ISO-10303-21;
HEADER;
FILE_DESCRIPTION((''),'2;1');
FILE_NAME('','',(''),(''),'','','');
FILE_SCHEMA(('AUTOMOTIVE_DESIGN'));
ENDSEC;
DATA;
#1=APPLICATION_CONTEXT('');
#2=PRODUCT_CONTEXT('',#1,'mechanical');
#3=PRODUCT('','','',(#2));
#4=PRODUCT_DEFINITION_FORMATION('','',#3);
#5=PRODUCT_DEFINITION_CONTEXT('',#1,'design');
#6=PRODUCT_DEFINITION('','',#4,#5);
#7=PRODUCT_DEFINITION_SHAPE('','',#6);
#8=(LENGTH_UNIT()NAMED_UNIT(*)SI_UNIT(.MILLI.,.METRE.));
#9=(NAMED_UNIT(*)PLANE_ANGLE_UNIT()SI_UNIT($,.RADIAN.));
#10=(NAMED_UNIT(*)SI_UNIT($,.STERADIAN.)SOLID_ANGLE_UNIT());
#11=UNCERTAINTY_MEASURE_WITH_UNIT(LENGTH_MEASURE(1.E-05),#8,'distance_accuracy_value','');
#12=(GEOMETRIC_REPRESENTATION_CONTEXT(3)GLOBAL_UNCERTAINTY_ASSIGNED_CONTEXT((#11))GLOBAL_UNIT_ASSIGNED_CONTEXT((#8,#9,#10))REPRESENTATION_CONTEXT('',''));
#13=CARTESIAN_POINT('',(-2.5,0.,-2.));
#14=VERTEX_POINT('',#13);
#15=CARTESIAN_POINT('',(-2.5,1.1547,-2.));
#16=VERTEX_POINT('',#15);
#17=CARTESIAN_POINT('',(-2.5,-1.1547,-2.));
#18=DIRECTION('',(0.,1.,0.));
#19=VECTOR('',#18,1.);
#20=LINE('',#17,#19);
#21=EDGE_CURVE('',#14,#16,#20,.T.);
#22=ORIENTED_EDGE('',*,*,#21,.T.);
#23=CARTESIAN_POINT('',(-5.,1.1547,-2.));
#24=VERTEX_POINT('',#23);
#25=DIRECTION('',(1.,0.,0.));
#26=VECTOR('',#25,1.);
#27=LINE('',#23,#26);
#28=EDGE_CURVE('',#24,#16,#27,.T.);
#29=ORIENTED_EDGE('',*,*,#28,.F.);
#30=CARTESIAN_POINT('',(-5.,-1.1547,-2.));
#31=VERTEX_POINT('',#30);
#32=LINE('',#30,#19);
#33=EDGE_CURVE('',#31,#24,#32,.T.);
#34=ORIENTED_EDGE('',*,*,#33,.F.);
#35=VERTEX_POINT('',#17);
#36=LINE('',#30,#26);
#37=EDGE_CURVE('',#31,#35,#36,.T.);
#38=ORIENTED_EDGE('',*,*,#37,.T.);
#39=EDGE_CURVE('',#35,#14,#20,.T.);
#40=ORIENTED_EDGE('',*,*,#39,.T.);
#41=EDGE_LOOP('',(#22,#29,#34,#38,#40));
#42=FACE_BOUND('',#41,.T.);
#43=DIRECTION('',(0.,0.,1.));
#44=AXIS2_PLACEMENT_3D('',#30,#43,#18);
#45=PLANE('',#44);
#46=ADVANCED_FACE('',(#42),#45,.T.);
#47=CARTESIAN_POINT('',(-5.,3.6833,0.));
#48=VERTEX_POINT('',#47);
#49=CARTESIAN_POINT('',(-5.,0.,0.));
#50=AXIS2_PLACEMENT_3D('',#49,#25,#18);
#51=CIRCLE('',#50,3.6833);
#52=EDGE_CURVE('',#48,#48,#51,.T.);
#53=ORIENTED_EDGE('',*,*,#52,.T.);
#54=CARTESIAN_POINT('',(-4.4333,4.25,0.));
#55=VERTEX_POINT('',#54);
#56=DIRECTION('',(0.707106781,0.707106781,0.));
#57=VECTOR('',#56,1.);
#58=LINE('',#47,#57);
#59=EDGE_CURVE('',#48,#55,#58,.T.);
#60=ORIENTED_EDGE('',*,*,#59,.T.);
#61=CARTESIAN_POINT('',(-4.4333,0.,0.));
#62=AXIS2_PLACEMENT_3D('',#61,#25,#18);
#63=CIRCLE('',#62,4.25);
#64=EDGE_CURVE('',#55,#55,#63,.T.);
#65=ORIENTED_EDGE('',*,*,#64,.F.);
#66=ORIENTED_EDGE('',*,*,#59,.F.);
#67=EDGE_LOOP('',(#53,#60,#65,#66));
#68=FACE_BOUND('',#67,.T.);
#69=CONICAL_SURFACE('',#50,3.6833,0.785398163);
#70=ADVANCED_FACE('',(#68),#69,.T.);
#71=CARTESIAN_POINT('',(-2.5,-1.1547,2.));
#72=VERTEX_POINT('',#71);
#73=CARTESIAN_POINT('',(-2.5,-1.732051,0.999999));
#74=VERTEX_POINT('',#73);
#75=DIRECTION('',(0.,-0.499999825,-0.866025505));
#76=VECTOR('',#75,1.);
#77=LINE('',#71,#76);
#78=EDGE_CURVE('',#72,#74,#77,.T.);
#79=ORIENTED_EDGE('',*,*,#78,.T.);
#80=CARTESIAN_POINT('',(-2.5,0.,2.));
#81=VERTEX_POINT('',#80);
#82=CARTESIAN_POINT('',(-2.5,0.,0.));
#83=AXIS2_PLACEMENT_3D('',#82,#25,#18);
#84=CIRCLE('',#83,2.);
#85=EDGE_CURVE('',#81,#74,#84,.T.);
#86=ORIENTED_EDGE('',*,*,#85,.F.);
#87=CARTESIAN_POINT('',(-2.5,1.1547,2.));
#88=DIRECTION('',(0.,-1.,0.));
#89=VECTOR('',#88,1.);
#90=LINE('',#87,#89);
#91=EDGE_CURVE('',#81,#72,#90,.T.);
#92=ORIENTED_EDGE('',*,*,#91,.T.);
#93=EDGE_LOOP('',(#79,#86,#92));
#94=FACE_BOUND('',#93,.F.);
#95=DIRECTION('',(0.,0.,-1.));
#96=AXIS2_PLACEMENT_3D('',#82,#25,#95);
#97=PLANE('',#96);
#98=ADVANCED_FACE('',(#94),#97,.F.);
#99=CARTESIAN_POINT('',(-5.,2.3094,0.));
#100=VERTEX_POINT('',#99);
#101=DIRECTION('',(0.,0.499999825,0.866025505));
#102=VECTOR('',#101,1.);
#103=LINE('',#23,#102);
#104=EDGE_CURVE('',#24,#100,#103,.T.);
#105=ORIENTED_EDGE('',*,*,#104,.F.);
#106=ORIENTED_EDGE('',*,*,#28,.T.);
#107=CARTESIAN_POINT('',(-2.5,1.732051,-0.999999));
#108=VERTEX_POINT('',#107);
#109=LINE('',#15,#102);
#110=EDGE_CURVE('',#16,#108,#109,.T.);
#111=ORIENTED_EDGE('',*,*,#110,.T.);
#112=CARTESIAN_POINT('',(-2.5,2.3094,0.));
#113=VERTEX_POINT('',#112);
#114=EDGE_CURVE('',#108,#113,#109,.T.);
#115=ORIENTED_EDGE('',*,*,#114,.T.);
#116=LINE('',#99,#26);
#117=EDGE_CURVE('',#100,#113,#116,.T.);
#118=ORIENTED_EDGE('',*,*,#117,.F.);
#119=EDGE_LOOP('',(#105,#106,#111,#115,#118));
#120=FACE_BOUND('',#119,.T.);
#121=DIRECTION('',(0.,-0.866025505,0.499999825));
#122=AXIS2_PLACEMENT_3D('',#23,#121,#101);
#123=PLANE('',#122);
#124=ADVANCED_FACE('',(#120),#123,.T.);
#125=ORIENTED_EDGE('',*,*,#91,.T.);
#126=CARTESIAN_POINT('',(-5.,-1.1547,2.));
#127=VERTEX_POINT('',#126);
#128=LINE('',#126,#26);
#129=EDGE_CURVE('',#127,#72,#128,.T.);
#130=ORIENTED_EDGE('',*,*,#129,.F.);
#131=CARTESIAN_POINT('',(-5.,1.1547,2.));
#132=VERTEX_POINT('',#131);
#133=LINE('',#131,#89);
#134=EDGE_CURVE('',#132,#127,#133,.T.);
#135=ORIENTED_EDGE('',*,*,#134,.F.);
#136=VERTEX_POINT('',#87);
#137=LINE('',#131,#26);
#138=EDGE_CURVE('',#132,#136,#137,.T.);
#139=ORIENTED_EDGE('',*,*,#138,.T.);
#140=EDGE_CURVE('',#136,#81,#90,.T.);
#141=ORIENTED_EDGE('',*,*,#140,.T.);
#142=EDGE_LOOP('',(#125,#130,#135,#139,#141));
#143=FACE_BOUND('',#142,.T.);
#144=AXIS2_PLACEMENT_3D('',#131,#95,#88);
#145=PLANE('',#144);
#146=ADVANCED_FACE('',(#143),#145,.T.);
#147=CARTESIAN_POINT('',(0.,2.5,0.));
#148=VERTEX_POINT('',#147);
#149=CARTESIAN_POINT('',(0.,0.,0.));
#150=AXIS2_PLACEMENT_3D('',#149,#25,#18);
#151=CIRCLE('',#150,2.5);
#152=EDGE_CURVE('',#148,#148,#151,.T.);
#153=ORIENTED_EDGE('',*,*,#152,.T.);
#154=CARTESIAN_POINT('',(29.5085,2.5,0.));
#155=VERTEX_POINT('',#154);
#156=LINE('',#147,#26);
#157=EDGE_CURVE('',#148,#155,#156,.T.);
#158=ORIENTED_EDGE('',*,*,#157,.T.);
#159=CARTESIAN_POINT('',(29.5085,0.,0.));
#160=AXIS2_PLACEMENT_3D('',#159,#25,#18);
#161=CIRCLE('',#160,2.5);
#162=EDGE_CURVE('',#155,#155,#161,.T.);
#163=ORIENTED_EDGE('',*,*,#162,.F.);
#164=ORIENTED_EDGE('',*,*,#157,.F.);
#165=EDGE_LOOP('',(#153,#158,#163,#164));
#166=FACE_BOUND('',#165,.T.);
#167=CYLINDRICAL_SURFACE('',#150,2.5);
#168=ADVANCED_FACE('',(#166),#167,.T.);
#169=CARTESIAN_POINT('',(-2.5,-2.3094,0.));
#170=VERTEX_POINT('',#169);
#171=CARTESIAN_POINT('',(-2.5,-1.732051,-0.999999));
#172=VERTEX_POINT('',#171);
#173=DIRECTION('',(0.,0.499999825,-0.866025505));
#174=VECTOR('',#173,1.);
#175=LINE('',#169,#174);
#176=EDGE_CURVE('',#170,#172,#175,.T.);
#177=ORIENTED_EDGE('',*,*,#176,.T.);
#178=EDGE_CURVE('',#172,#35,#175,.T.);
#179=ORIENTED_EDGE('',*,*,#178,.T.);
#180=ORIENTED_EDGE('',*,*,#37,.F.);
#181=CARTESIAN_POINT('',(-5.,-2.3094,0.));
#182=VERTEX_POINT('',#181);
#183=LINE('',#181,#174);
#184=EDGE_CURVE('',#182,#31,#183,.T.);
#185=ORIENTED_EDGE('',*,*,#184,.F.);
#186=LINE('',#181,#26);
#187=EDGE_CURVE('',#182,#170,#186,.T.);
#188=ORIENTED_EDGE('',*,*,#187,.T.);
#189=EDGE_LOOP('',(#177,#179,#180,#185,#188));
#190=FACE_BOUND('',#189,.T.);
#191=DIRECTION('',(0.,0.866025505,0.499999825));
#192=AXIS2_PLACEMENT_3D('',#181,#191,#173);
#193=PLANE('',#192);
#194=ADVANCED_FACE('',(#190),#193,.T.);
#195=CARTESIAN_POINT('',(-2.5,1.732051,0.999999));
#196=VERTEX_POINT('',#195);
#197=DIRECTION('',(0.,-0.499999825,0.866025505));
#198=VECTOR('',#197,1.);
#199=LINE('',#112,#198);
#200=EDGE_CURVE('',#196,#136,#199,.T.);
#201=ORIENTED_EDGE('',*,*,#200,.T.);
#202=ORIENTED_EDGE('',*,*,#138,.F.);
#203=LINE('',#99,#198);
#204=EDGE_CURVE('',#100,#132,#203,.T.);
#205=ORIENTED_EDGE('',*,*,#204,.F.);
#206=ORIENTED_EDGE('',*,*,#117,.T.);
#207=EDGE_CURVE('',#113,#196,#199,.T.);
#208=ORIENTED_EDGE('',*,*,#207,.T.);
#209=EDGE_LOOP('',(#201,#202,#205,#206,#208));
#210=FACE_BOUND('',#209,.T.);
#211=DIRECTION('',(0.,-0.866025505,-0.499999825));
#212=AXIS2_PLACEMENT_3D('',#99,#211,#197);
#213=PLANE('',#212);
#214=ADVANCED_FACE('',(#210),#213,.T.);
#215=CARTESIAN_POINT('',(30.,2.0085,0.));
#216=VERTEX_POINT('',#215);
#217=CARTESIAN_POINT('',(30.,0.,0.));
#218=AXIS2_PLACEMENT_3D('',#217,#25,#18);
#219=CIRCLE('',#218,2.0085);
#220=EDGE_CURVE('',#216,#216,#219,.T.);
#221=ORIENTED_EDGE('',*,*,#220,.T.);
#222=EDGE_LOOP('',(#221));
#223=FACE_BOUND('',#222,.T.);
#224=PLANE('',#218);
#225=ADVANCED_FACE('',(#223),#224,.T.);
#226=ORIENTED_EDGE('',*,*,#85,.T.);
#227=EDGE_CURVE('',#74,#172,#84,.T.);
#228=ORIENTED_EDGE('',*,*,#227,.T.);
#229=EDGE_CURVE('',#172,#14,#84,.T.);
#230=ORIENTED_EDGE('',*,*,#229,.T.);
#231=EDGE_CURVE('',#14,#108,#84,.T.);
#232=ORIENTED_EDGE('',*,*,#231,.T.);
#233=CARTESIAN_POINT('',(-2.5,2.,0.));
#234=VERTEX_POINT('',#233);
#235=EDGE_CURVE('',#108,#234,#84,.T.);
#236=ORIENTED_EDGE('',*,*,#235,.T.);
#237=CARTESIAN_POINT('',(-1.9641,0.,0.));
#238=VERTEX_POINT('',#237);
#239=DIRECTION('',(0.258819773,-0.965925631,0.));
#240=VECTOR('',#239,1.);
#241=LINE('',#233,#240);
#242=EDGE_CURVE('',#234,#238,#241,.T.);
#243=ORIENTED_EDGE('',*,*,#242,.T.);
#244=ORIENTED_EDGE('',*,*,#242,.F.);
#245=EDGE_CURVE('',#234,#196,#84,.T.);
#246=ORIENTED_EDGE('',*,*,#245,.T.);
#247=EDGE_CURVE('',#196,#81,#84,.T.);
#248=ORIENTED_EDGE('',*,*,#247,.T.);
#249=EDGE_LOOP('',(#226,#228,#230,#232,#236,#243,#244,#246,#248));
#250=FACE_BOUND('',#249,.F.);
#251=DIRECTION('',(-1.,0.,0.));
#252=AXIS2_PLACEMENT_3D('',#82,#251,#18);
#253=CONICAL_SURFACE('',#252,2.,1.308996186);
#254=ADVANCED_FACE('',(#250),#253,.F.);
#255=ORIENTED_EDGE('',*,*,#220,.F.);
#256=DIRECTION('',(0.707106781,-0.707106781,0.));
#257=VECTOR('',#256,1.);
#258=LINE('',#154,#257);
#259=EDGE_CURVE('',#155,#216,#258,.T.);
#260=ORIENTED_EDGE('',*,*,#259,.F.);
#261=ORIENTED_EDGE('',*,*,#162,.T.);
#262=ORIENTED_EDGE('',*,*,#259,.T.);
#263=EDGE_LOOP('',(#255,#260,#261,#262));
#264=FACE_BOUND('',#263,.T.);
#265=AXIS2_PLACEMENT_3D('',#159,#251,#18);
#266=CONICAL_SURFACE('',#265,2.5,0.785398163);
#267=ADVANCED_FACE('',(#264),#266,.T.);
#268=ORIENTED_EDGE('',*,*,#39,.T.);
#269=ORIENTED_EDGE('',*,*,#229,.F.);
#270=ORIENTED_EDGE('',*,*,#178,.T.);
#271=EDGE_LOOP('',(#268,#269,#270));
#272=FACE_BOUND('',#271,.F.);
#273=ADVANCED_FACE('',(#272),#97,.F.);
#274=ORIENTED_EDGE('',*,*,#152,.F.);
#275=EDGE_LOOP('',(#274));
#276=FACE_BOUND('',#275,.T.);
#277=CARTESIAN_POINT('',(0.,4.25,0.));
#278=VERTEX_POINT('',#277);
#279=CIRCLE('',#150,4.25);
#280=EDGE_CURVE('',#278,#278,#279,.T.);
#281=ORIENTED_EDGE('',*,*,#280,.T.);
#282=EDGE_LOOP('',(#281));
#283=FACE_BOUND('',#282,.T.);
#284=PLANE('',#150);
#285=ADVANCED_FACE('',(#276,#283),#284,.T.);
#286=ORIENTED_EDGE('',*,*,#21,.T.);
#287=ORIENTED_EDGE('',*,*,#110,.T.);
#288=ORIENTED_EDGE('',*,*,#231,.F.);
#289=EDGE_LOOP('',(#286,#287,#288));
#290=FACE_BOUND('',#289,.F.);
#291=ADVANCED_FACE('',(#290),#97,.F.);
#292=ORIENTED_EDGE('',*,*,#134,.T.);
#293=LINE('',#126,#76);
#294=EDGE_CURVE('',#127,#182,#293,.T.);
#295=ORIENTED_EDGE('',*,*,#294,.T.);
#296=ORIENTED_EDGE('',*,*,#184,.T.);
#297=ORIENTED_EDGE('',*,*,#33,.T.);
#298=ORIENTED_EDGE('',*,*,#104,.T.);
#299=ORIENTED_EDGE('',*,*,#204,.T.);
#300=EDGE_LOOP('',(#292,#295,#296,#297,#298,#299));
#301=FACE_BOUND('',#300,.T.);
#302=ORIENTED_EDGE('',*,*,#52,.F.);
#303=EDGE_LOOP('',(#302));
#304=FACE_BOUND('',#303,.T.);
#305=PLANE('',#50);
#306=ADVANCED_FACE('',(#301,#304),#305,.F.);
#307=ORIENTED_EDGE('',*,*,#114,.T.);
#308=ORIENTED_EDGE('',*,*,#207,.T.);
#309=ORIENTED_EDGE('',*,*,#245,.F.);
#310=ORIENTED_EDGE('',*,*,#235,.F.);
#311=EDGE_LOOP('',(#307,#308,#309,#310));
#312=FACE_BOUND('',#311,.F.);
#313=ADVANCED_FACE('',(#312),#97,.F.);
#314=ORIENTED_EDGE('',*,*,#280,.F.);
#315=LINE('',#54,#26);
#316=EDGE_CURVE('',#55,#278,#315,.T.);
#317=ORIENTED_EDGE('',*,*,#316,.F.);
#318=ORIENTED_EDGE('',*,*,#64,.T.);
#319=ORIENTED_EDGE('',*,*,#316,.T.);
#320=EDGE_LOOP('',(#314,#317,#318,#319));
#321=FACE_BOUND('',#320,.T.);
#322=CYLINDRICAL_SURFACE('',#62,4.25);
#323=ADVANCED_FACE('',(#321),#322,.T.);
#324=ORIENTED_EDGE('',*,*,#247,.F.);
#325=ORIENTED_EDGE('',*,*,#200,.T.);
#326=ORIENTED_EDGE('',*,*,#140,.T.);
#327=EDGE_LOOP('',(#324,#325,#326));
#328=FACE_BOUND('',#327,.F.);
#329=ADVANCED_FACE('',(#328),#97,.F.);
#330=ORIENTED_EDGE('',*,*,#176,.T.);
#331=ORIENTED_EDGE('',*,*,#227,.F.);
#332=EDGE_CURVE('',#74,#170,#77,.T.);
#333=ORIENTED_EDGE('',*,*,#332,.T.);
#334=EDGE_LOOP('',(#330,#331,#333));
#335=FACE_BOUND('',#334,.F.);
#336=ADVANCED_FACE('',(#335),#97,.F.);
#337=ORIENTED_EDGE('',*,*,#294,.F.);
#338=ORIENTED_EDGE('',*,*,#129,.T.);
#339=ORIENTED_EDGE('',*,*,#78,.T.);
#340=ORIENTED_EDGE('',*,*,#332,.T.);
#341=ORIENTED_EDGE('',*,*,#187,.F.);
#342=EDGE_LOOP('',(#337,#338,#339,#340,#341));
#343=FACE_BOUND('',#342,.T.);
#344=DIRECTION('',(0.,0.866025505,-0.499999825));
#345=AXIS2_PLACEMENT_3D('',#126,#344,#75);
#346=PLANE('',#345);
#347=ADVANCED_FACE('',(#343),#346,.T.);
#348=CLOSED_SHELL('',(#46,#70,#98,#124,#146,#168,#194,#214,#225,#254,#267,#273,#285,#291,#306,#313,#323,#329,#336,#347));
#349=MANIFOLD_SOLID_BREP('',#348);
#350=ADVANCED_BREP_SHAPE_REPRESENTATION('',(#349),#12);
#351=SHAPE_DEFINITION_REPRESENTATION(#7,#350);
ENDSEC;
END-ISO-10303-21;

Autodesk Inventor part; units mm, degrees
sketch "Sketch_2" plane through (0, 0, 0) normal (0, 0, 1) x (1, 0, 0)
  line L0 (30, 0) -> (-5, 0)
  line L1 (-5, 0) -> (-5, 3.6833)
  line L2 (-5, 3.6833) -> (-4.4333, 4.25)
  line L3 (-4.4333, 4.25) -> (0, 4.25)
  line L4 (0, 4.25) -> (0, 2.5)
  line L5 (0, 2.5) -> (29.5085, 2.5)
  line L6 (29.5085, 2.5) -> (30, 2.0085)
  line L7 (30, 2.0085) -> (30, 0)
  line L8 (30, 0) -> (-5, 0)
revolve "Revolution1" add sketch "Sketch_2" angle 360 about axis through (30, 0, 0) along (1, 0, 0)
thread "Thread1" size "M5x0.8" class "6g" standard "ISO Metric profile" length 22 offset 8
sketch "Sketch_4" plane through (0, 0, 0) normal (0, 0, 1) x (1, 0, 0)
  line L0 (-1.9641, 0) -> (-5, 0)
  line L1 (-5, 0) -> (-5, 2)
  line L2 (-5, 2) -> (-2.5, 2)
  line L3 (-2.5, 2) -> (-1.9641, 0)
  line L4 (-1.9641, 0) -> (-5, 0)
revolve "Revolution2" cut sketch "Sketch_4" angle 360 about axis through (-1.9641, 0, 0) along (1, 0, 0)
sketch "Sketch_3" plane through (-5, 0, 0) normal (1, 0, 0) x (0, 0, -1)
  line L0 (-2, 1.1547) -> (-2, -1.1547)
  line L1 (-2, -1.1547) -> (0, -2.3094)
  line L2 (0, -2.3094) -> (2, -1.1547)
  line L3 (2, -1.1547) -> (2, 1.1547)
  line L4 (2, 1.1547) -> (0, 2.3094)
  line L5 (0, 2.3094) -> (-2, 1.1547)
extrude "Extrusion1" cut sketch "Sketch_3" along normal blind 2.5
ref_plane "bolt_XY" through (0, 0, 0) normal (1, 0, 0) x (0, 0, -1)
ref_plane "bolt_YZ" through (0, 0, 0) normal (0, 0, -1) x (0, 1, 0)
ref_plane "bolt_ZX" through (0, 0, 0) normal (0, 1, 0) x (1, 0, 0)
ref_plane "nut_XY" through (30, 0, 0) normal (1, 0, 0) x (0, 0, -1)
ref_plane "nut_YZ" through (30, 0, 0) normal (0, 0, -1) x (0, 1, 0)
ref_plane "nut_ZX" through (30, 0, 0) normal (0, 1, 0) x (1, 0, 0)
properties part number "CBM5-30" material "MISUMI"
